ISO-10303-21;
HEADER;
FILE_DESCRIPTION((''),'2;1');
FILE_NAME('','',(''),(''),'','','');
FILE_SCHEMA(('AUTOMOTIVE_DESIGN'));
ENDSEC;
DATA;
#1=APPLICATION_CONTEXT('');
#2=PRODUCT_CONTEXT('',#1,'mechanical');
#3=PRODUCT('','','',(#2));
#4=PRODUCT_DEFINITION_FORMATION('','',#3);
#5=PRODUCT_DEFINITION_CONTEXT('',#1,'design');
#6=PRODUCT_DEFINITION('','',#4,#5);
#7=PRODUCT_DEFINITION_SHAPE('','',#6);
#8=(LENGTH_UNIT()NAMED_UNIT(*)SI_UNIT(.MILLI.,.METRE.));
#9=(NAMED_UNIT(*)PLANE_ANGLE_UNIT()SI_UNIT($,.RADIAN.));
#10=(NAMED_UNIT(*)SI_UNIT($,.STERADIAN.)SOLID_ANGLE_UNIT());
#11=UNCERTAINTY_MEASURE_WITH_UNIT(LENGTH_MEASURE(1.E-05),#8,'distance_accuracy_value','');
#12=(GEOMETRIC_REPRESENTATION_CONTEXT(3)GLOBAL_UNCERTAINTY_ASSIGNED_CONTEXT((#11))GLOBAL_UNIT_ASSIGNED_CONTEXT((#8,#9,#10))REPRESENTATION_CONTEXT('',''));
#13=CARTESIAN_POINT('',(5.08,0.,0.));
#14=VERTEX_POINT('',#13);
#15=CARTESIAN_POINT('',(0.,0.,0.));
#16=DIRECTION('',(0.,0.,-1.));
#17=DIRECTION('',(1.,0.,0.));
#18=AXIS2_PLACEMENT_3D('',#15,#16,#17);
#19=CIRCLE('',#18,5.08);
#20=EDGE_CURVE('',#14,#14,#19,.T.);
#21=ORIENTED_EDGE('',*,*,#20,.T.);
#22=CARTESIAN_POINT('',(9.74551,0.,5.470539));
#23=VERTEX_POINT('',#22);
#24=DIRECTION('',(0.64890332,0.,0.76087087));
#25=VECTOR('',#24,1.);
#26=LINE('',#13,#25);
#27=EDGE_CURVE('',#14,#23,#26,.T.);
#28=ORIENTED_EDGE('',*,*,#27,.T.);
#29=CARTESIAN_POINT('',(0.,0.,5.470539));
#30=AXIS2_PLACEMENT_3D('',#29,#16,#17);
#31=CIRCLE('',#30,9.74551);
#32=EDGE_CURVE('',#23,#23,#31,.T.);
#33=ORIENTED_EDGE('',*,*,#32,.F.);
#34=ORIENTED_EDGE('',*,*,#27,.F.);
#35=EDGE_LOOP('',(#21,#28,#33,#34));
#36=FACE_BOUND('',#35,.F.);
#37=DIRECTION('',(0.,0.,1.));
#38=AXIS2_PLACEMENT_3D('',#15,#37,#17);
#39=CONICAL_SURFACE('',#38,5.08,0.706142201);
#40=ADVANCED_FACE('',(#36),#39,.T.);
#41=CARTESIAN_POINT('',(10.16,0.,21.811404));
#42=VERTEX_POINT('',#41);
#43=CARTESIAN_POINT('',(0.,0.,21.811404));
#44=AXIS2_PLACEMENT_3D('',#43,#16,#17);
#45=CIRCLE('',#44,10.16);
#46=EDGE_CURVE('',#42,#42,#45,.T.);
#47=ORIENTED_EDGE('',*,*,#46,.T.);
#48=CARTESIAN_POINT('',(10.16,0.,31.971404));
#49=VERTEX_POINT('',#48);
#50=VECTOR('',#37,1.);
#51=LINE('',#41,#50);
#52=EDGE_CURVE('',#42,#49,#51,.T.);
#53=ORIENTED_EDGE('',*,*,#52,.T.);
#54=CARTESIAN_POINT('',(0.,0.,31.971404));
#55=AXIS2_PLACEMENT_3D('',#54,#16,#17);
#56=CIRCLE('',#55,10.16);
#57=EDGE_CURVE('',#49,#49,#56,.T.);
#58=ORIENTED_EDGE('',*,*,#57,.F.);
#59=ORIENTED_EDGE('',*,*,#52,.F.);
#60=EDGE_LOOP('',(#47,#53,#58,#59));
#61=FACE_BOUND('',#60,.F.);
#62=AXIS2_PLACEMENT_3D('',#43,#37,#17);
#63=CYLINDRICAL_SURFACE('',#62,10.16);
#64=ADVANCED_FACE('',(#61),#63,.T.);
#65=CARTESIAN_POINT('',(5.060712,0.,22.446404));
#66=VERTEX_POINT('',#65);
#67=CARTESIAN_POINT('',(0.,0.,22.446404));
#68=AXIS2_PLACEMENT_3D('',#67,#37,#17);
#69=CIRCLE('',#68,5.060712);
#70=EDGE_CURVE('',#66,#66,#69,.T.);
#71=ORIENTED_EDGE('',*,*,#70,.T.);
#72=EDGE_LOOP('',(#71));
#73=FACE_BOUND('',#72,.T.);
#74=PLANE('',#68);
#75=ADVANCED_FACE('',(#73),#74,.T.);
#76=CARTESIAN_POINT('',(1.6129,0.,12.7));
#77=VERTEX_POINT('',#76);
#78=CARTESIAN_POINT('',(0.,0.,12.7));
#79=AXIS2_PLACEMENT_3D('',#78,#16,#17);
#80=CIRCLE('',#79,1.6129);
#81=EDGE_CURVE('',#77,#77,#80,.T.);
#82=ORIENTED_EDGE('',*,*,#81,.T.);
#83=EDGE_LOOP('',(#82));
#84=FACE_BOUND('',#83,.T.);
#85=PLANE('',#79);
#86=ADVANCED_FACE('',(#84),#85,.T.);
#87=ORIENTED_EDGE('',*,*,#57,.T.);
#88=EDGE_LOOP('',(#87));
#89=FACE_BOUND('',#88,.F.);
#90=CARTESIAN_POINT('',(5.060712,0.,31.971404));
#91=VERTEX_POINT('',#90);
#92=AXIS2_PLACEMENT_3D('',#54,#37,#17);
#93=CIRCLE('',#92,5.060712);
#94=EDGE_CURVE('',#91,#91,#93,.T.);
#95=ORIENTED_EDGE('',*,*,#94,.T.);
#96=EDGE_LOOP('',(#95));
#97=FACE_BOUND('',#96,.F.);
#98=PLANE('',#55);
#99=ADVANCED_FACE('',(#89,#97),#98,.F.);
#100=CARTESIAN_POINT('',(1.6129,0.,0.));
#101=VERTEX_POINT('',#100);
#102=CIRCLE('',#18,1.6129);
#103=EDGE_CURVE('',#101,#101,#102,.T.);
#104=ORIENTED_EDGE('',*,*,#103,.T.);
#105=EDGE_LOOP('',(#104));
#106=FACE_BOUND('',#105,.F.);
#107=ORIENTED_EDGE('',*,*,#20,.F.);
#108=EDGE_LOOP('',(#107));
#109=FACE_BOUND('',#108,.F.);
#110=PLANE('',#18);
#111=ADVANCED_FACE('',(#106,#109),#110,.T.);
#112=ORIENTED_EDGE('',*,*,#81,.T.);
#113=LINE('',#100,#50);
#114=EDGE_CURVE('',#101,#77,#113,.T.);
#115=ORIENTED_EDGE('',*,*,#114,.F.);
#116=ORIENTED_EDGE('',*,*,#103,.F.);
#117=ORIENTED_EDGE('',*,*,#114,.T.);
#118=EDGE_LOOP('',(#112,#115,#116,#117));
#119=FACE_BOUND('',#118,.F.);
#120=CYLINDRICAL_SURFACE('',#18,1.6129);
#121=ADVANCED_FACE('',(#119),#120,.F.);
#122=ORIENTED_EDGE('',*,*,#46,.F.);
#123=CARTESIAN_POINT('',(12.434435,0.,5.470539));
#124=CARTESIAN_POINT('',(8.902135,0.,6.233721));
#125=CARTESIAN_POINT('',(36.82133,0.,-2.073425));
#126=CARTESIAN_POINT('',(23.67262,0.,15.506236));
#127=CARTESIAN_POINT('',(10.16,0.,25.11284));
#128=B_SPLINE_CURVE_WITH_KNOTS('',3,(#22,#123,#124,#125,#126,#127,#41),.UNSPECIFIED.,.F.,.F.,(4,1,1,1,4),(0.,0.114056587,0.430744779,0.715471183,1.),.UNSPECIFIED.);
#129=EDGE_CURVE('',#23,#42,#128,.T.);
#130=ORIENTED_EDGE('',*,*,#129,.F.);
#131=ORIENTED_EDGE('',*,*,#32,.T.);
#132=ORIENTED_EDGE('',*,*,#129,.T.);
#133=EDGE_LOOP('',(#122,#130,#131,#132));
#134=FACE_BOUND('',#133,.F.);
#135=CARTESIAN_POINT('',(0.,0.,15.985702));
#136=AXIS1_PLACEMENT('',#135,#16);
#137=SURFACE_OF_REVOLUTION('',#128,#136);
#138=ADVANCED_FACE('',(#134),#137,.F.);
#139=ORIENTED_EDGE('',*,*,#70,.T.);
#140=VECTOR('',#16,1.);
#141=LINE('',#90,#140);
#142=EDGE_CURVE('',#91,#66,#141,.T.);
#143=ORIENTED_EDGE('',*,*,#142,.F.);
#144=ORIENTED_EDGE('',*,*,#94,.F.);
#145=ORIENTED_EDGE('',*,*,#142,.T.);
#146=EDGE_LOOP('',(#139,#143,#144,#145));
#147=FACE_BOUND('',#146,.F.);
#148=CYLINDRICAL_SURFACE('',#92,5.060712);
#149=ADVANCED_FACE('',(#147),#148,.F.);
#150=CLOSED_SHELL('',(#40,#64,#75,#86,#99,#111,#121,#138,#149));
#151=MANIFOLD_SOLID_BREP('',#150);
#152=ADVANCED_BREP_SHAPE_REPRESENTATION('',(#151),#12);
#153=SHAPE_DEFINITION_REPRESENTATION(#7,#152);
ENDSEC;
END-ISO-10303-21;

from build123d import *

# Parameters (mm, degrees)
F2_R     = 5.0607119935
F3_DEPTH = 9.525
F4_R     = 1.6129
F5_DEPTH = 12.7


with BuildPart() as f1:
    # F0 (on Front) → F1 (revolve)
    with BuildSketch(Plane.XZ):
        with BuildLine():
            Line((0, 0), (5.08, 0))
            Line((5.08, 0), (9.7455104539, 5.4705391193))
            add(Edge.make_bspline(
                [(9.7455104539, 5.4705391193), (12.4344353671, 5.4705391193), (8.9021351307, 6.2337205754), (36.8213295394, -2.073424816), (23.6726198622, 15.5062359104), (10.16, 25.1128395454), (10.16, 21.811403902)],
                knots=[0, 0, 0, 0, 0.1140565874, 0.4307447791, 0.7154711829, 1, 1, 1, 1], degree=3))
            Line((10.16, 21.811403902), (10.16, 25.1128395454))
            Line((10.16, 25.1128395454), (10.16, 31.971403902))
            Line((10.16, 31.971403902), (0, 31.971403902))
            Line((0, 31.971403902), (0, 0))
        make_face()
    revolve(axis=Axis((0, 0, 15.985701951), (0, 0, -1)))

    # F2 (on face) → F3 (cut)
    with BuildSketch(Plane.XY.offset(31.971403902)):
        Circle(F2_R)
    extrude(amount=-F3_DEPTH, mode=Mode.SUBTRACT)

    # F4 (on face) → F5 (cut)
    with BuildSketch(Plane(origin=(0, 0, 0), x_dir=(1, 0, 0), z_dir=(0, 0, -1))):
        Circle(F4_R)
    extrude(amount=-F5_DEPTH, mode=Mode.SUBTRACT)


solid = f1.part
